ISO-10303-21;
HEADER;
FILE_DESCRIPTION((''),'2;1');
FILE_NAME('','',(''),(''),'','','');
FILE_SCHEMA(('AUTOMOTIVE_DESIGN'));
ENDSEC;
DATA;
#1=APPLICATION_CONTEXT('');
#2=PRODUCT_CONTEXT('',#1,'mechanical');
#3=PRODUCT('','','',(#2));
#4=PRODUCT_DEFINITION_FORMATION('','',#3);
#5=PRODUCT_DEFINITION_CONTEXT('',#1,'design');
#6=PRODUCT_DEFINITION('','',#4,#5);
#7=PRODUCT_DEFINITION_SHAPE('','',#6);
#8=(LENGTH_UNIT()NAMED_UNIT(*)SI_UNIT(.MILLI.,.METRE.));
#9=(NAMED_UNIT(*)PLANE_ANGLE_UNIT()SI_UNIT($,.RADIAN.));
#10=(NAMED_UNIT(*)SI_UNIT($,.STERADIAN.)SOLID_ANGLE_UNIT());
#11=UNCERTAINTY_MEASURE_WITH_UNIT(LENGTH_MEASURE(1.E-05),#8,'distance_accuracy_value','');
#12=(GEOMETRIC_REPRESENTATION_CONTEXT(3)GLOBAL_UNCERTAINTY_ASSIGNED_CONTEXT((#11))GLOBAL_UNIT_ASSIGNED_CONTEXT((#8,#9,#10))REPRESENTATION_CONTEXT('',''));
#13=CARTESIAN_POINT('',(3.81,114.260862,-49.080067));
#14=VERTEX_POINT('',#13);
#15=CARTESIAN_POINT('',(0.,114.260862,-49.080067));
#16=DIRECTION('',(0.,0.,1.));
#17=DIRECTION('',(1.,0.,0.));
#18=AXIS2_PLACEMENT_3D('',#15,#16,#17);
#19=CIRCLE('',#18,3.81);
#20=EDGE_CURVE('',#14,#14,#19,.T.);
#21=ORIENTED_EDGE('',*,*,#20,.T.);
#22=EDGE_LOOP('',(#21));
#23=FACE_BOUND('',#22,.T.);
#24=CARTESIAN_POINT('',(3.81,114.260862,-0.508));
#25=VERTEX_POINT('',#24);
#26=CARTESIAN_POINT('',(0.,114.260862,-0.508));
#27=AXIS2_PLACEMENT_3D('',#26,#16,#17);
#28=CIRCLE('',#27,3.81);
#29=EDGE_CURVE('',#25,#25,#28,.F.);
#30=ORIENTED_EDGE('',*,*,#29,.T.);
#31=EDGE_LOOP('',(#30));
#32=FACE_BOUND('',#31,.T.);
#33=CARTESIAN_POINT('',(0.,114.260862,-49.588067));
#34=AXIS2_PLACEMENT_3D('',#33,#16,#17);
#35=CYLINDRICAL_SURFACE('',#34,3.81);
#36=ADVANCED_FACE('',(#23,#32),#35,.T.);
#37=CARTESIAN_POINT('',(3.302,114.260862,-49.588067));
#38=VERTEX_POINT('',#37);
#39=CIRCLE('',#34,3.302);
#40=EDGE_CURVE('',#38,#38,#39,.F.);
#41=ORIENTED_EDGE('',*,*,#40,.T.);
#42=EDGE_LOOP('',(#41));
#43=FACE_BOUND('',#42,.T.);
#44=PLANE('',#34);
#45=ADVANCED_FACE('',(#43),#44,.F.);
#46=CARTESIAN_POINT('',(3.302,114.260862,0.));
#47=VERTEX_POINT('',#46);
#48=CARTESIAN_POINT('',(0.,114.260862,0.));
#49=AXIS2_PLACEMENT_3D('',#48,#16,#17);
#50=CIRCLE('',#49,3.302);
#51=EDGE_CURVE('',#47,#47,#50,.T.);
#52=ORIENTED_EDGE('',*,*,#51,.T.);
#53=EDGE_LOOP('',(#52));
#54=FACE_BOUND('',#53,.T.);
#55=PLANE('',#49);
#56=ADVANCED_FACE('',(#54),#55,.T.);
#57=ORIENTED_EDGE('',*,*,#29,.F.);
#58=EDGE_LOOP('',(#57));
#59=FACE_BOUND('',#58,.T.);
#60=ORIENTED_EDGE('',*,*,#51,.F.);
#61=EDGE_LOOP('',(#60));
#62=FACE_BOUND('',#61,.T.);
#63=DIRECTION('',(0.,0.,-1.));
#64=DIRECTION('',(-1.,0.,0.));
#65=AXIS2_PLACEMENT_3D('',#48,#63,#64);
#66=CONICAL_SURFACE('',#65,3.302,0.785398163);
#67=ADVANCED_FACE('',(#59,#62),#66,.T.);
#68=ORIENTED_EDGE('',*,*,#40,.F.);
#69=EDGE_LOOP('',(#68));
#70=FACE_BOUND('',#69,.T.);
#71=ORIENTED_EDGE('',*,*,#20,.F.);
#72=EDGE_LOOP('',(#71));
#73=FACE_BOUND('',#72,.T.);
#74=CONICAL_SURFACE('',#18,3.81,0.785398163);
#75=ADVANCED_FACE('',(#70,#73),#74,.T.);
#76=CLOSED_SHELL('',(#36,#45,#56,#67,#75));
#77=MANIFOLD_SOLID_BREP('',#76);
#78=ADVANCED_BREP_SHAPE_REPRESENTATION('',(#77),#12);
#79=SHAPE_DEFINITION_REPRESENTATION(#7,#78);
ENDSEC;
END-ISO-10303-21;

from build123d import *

# Parameters (mm, degrees)
SKETCH1_R      = 3.81
EXTRUDE1_DEPTH = 49.58806723
CHAMFER1_SIZE  = 0.508


with BuildPart() as part:
    # Sketch1 → Extrude1 (new body)
    with BuildSketch(Plane.XY):
        with Locations((0, 114.260861664)):
            Circle(SKETCH1_R)
    extrude(amount=-EXTRUDE1_DEPTH)

    # Chamfer1
    chamfer1_edges = [part.edges().sort_by_distance(p)[0] for p in [
        (-3.81, 114.260861664, 0),
        (-3.81, 114.260861664, -49.58806723),
    ]]
    chamfer(chamfer1_edges, length=CHAMFER1_SIZE)


solid = part.part
